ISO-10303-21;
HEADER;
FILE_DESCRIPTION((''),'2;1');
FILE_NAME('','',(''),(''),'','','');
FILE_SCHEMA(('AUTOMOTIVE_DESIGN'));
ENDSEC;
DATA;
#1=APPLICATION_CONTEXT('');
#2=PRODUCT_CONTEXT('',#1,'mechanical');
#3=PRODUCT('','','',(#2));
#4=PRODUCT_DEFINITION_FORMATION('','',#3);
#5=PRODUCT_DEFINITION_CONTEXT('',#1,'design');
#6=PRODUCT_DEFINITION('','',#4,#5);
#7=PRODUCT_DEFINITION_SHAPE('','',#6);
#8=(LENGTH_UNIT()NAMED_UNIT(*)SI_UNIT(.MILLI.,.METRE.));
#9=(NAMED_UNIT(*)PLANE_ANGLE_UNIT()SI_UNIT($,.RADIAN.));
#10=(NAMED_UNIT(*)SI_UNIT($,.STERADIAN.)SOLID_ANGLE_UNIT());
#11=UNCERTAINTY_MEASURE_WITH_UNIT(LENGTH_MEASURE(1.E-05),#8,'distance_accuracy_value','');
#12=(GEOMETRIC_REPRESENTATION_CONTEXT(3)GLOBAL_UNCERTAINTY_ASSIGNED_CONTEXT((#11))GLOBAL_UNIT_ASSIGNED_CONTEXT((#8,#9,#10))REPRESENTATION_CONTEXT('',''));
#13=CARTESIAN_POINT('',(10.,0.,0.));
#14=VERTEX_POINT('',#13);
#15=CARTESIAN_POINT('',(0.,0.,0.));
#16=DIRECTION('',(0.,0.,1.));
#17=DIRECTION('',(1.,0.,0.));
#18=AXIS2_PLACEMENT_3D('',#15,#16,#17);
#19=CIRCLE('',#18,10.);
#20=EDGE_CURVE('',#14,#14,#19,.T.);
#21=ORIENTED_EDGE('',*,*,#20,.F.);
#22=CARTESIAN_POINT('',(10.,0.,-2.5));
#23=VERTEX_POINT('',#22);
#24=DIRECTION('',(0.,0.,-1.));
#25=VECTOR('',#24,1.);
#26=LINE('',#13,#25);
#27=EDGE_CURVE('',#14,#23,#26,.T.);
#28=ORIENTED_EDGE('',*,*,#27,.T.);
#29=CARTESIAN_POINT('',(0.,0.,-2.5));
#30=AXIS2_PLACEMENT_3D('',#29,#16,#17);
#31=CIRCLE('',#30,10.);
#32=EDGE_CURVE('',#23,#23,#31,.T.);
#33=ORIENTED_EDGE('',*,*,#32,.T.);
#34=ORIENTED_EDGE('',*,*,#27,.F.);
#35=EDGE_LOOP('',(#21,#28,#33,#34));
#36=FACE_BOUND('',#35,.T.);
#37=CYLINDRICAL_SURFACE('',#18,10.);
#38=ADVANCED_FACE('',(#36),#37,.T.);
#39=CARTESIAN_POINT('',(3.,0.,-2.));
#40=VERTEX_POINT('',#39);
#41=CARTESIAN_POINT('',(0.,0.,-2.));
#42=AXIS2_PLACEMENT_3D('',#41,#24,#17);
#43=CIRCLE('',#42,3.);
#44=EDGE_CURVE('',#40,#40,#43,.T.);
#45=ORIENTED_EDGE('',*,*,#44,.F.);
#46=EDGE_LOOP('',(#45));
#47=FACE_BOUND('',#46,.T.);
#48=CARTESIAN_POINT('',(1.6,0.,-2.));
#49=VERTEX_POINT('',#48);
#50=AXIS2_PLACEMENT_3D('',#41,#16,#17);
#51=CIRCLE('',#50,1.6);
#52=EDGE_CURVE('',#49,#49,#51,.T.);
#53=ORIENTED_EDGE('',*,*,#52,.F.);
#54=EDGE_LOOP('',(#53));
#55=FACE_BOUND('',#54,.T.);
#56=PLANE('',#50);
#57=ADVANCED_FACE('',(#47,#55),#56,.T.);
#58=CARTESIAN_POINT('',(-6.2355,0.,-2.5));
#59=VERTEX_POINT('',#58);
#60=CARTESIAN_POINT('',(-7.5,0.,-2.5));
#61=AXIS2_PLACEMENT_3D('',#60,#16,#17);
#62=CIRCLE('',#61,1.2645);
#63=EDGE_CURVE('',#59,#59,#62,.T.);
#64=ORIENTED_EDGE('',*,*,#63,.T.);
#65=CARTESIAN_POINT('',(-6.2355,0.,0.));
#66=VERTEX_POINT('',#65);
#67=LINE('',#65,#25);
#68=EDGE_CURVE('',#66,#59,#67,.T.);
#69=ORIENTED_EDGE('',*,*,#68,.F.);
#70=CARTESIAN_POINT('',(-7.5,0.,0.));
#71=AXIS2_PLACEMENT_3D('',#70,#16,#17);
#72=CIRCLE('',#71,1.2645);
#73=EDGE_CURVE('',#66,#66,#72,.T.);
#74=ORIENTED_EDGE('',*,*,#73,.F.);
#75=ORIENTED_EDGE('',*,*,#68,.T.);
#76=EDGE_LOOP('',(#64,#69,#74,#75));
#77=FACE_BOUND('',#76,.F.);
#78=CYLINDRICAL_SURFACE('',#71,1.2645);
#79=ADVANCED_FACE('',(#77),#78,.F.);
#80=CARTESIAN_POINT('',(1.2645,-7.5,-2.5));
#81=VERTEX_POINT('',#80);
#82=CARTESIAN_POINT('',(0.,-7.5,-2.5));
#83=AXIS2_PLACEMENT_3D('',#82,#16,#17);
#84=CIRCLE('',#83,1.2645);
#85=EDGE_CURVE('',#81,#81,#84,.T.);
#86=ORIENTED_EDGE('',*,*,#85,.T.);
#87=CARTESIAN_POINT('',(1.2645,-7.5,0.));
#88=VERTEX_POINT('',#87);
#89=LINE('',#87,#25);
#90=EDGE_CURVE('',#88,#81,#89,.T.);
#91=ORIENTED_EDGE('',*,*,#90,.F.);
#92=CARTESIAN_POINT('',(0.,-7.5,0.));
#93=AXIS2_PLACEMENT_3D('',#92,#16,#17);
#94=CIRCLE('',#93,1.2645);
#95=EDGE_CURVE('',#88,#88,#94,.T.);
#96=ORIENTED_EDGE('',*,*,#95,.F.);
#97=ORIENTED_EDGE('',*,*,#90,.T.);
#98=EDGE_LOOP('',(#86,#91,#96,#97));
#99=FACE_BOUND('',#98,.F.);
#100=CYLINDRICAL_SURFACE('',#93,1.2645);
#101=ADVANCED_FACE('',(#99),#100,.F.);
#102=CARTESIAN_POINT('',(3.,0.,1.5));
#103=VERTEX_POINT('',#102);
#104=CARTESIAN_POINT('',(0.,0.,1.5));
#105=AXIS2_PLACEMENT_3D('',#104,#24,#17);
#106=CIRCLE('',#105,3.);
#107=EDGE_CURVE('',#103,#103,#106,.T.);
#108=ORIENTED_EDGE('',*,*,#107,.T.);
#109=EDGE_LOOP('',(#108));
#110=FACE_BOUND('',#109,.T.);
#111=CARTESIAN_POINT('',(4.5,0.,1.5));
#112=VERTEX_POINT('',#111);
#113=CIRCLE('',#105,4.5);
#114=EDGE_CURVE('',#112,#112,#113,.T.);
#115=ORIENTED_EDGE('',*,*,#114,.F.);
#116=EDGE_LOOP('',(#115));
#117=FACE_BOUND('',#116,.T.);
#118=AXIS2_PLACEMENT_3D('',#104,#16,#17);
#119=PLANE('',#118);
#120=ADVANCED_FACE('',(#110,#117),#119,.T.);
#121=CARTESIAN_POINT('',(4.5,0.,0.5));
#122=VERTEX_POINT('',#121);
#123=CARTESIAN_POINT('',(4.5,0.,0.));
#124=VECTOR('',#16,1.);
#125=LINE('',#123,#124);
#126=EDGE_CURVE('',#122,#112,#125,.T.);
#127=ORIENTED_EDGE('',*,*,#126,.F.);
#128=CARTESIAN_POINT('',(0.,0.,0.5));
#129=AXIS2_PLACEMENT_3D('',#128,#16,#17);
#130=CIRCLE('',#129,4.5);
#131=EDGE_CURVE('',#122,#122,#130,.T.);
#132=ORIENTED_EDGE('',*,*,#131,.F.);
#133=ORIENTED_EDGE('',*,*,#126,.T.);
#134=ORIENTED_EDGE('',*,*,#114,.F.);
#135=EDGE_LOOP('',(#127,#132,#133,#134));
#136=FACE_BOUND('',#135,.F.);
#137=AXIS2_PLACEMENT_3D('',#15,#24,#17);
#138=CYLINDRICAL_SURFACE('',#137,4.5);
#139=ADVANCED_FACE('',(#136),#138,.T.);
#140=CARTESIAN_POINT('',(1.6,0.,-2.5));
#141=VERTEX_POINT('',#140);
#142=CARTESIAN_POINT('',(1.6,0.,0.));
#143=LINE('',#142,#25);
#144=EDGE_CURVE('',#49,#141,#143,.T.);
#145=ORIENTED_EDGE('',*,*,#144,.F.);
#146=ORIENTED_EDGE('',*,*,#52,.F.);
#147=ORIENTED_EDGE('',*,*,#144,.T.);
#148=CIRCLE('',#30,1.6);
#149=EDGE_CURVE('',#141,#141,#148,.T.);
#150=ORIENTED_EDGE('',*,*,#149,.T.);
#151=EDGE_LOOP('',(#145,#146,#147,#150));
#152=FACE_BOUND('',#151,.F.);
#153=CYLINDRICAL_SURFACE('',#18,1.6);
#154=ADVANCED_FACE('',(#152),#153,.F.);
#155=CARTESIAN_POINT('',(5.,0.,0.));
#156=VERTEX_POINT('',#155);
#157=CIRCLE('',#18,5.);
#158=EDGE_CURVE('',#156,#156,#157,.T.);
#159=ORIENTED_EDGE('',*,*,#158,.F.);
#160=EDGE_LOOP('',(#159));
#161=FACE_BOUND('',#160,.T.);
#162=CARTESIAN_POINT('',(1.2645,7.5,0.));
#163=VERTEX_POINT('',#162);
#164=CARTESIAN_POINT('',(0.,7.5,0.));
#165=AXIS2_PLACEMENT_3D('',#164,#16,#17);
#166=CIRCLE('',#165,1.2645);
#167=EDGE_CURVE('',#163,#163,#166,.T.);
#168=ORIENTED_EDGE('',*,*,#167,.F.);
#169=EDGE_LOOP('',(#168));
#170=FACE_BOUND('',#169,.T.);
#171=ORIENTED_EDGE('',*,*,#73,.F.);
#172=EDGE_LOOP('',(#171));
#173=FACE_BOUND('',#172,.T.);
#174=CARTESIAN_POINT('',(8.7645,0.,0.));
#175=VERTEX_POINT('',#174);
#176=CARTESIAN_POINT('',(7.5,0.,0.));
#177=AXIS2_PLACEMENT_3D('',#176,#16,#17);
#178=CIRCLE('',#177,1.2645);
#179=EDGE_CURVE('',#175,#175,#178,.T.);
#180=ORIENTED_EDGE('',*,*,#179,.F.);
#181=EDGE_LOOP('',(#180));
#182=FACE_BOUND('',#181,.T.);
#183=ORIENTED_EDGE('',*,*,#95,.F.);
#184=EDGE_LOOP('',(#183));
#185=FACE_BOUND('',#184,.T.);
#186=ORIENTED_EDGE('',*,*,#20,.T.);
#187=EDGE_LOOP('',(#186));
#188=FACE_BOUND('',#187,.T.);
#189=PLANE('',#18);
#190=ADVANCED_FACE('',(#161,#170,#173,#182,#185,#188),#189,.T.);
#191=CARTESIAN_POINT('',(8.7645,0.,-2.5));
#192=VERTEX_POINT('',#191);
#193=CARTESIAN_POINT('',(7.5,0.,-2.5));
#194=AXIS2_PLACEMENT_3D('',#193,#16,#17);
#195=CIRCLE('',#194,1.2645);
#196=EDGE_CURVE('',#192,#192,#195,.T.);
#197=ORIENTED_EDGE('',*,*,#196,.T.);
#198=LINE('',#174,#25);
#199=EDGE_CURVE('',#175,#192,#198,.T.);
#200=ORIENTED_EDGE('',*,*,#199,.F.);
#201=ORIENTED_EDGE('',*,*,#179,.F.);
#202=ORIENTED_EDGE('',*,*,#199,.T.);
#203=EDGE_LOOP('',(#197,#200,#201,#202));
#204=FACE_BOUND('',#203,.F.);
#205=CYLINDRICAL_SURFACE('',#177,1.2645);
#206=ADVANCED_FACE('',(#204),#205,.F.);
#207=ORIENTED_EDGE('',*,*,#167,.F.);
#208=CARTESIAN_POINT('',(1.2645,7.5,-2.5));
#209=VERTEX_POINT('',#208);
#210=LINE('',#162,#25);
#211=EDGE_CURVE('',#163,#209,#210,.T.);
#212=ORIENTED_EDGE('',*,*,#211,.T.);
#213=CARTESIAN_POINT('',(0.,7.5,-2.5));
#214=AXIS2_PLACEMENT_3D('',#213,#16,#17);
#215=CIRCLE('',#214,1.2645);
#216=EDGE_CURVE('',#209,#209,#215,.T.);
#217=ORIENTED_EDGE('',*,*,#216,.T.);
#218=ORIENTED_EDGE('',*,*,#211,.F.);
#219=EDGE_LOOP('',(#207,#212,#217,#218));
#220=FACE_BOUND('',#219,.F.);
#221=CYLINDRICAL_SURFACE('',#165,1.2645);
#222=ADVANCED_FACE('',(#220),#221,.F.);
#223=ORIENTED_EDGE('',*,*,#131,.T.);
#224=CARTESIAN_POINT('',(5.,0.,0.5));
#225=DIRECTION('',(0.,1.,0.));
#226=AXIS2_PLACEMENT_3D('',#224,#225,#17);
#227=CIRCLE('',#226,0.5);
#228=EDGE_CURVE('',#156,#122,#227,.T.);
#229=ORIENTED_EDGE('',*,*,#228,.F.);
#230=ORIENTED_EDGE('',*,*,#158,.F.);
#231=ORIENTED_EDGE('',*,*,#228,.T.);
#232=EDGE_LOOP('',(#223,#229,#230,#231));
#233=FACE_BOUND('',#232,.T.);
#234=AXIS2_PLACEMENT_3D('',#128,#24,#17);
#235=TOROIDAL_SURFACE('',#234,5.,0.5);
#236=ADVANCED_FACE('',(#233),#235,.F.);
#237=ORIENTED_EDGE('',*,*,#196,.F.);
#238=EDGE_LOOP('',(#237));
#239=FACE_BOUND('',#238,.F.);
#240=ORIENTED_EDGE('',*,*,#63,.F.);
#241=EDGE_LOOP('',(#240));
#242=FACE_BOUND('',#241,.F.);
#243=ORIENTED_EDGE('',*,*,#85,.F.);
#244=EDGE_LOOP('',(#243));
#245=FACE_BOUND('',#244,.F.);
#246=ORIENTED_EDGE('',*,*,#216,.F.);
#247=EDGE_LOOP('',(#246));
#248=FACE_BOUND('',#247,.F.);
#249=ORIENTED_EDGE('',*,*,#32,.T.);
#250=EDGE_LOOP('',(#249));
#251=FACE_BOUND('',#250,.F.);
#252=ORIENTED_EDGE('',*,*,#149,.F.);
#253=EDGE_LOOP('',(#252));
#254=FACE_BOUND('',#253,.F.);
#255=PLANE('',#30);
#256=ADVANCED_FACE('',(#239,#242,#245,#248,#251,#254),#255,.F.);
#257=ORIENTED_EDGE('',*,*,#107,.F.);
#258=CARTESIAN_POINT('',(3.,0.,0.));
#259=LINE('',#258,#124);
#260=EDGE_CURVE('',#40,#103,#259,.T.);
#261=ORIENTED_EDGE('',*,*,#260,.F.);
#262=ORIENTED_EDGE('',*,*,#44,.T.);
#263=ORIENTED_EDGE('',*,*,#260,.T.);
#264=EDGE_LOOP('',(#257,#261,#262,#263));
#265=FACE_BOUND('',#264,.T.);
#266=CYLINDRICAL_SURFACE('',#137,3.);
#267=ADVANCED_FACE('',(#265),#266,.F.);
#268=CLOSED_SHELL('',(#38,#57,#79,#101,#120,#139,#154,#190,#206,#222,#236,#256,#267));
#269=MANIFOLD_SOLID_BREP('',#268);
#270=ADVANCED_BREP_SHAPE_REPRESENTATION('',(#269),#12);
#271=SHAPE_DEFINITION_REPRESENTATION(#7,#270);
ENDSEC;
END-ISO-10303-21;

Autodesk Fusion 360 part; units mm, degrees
sketch "Sketch1" plane through (0, 0, 0) normal (0, 0, 1) x (1, 0, 0)
  circle A0 centre (0, 0) radius 10
  circle A1 centre (0, 0) radius 7.5 construction
  circle A2 centre (0, 7.5) radius 1.5
  circle A3 centre (-7.5, 0) radius 1.5
  circle A4 centre (0, -7.5) radius 1.5
  circle A5 centre (7.5, 0) radius 1.5
  line L0 (0, 7.5) -> (0, 0) construction
  circle A6 centre (0, 0) radius 4.5
  circle A7 centre (0, 0) radius 1.6
  circle A8 centre (0, 0) radius 3
  dimension "d1" = 20
  dimension "d2" = 15
  dimension "d3" = 3
  dimension "d6" = 360
  dimension "d7" = 9
  dimension "d8" = 3.2
  dimension "d9" = 6
extrude "Extrude1" add sketch "Sketch1" against normal blind 2.5 contours A0 | A6 | A8
extrude "Extrude2" add sketch "Sketch1" along normal blind 1.5 contours A6
fillet "Fillet1" radius 0.5 1 edges at (-4.1955, 1.6273, 0)
move_face "OffsetFaces1" offset -2 1 faces at (2.5162, -0.2285, 0)
thread "Thread1" "ISO Metric profile 3.0 M3x0.5 M3x0.5 6H" major diameter 3.086 minor diameter 2.529 pitch 0.5 angle 60 resizes the face on face at (1.4981, -7.5748, -1.6667) on face at (-6.0019, -0.0748, -1.6667) on face at (8.9981, -0.0748, -1.6667) on face at (1.4981, 7.4252, -1.6667)
